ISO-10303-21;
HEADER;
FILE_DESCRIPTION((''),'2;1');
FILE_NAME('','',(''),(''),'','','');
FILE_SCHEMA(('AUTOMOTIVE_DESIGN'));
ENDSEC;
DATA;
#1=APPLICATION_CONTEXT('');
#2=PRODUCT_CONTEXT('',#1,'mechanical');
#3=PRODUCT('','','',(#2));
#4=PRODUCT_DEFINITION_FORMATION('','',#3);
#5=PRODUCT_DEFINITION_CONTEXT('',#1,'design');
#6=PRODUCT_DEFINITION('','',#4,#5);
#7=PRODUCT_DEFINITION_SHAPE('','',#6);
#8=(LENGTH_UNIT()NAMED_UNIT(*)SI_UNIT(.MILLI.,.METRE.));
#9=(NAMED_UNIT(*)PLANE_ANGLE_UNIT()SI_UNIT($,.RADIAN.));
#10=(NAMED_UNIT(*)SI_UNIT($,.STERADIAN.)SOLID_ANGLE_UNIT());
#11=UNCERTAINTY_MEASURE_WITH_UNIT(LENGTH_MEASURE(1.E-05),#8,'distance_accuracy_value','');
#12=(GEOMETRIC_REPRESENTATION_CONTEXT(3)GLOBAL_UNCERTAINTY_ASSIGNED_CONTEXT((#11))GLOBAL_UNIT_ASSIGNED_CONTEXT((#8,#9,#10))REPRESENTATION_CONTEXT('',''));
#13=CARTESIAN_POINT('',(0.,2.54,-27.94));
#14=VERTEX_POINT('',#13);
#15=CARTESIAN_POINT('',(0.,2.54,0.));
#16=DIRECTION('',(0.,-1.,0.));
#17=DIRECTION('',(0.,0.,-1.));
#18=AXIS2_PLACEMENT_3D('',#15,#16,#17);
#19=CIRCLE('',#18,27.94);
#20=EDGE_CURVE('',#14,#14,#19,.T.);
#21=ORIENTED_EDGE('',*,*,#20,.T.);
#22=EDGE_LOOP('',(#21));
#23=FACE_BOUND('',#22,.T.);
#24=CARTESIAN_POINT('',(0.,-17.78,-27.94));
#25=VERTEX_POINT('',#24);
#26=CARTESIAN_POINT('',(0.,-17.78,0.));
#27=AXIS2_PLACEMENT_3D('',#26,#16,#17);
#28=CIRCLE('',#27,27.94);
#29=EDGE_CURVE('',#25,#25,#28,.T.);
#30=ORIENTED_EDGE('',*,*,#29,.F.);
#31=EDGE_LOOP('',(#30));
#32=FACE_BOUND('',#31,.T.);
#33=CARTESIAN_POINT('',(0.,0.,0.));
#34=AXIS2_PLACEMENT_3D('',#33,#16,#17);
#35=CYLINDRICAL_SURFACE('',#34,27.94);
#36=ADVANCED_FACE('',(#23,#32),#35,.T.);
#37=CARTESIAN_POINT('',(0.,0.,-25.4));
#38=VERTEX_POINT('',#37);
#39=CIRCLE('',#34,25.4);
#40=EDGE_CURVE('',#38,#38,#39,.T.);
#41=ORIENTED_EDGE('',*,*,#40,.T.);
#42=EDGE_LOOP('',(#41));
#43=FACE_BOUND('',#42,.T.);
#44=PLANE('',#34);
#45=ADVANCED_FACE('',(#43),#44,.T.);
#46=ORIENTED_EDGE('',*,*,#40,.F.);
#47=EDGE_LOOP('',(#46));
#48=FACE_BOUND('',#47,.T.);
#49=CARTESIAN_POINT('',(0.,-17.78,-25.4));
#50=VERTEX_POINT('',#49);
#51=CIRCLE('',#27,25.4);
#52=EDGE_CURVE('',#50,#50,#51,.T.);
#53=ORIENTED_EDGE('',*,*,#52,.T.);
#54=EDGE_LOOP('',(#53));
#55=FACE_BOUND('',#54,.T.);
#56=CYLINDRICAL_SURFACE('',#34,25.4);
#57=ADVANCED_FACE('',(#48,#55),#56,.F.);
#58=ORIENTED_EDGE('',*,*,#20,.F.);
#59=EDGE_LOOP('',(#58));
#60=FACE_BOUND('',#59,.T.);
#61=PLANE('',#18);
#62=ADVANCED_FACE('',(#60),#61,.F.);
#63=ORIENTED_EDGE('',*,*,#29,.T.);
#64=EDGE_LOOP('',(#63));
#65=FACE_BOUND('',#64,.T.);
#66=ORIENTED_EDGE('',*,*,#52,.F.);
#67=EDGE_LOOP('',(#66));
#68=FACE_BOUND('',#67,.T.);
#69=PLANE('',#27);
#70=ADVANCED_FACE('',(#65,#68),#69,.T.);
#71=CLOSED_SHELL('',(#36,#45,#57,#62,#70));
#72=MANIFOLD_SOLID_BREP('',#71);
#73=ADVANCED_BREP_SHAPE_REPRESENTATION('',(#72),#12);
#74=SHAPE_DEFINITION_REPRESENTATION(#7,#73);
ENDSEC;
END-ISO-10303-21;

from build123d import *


with BuildPart() as part:
    # Sketch1 → Revolve1 (revolve)
    with BuildSketch(Plane.XY, mode=Mode.PRIVATE) as revolve1_sk:
        Polygon((25.4, 0), (25.4, -17.78), (27.94, -17.78), (27.94, 2.54), (0, 2.54), (0, 0), align=None)
    revolve(revolve1_sk.sketch.rotate(Axis((0, 0, 0), (0, 1, 0)), 90), axis=Axis((0, 0, 0), (0, 1, 0)))


solid = part.part
